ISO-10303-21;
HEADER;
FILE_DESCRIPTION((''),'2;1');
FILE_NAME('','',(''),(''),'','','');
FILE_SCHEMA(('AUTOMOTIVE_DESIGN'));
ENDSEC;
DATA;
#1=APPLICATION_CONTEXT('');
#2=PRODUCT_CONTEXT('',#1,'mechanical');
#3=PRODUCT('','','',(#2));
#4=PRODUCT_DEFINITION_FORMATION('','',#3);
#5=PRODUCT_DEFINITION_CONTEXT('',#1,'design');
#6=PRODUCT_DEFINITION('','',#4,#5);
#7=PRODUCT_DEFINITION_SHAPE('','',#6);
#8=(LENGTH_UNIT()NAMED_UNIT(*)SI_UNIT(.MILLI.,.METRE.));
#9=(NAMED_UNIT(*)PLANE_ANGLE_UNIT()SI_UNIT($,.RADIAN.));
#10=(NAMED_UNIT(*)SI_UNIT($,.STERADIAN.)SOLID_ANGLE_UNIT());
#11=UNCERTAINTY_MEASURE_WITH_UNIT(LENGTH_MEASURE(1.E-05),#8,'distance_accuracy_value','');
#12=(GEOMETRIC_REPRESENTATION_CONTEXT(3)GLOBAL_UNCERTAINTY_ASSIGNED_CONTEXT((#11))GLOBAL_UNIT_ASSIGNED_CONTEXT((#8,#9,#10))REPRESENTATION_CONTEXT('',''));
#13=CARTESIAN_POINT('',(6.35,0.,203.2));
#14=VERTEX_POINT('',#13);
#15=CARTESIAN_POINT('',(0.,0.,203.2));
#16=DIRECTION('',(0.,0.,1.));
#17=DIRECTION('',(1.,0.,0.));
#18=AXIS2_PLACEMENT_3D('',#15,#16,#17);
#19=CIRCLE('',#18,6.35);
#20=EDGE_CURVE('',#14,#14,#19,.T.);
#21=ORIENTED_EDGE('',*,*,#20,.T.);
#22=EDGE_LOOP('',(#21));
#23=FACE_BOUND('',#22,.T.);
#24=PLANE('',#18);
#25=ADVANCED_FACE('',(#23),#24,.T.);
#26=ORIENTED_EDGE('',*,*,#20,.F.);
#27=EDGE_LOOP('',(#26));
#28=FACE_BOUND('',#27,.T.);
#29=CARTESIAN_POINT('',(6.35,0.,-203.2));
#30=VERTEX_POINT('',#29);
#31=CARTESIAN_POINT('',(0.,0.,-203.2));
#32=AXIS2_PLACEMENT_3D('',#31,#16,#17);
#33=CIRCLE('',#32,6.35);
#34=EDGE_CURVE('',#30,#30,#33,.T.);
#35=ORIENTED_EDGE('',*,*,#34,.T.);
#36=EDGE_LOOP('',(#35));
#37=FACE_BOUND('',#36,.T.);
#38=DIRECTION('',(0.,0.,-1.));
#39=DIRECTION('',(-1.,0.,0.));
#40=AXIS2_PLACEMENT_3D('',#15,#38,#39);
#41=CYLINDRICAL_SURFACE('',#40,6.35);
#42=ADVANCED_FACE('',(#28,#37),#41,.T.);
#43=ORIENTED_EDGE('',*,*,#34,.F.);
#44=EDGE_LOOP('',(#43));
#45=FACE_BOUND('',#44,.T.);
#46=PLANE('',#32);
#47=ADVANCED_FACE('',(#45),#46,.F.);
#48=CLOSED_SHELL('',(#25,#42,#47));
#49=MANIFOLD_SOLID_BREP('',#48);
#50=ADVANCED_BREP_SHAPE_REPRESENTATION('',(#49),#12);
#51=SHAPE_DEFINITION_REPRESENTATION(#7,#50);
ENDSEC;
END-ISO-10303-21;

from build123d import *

# Parameters (mm, degrees)
SKETCH1_R           = 6.35
BOSS_EXTRUDE1_DEPTH = 203.2


with BuildPart() as part:
    # Sketch1 → Boss-Extrude1 (new body, symmetric)
    with BuildSketch(Plane.XY):
        Circle(SKETCH1_R)
    extrude(amount=BOSS_EXTRUDE1_DEPTH, both=True)


solid = part.part
